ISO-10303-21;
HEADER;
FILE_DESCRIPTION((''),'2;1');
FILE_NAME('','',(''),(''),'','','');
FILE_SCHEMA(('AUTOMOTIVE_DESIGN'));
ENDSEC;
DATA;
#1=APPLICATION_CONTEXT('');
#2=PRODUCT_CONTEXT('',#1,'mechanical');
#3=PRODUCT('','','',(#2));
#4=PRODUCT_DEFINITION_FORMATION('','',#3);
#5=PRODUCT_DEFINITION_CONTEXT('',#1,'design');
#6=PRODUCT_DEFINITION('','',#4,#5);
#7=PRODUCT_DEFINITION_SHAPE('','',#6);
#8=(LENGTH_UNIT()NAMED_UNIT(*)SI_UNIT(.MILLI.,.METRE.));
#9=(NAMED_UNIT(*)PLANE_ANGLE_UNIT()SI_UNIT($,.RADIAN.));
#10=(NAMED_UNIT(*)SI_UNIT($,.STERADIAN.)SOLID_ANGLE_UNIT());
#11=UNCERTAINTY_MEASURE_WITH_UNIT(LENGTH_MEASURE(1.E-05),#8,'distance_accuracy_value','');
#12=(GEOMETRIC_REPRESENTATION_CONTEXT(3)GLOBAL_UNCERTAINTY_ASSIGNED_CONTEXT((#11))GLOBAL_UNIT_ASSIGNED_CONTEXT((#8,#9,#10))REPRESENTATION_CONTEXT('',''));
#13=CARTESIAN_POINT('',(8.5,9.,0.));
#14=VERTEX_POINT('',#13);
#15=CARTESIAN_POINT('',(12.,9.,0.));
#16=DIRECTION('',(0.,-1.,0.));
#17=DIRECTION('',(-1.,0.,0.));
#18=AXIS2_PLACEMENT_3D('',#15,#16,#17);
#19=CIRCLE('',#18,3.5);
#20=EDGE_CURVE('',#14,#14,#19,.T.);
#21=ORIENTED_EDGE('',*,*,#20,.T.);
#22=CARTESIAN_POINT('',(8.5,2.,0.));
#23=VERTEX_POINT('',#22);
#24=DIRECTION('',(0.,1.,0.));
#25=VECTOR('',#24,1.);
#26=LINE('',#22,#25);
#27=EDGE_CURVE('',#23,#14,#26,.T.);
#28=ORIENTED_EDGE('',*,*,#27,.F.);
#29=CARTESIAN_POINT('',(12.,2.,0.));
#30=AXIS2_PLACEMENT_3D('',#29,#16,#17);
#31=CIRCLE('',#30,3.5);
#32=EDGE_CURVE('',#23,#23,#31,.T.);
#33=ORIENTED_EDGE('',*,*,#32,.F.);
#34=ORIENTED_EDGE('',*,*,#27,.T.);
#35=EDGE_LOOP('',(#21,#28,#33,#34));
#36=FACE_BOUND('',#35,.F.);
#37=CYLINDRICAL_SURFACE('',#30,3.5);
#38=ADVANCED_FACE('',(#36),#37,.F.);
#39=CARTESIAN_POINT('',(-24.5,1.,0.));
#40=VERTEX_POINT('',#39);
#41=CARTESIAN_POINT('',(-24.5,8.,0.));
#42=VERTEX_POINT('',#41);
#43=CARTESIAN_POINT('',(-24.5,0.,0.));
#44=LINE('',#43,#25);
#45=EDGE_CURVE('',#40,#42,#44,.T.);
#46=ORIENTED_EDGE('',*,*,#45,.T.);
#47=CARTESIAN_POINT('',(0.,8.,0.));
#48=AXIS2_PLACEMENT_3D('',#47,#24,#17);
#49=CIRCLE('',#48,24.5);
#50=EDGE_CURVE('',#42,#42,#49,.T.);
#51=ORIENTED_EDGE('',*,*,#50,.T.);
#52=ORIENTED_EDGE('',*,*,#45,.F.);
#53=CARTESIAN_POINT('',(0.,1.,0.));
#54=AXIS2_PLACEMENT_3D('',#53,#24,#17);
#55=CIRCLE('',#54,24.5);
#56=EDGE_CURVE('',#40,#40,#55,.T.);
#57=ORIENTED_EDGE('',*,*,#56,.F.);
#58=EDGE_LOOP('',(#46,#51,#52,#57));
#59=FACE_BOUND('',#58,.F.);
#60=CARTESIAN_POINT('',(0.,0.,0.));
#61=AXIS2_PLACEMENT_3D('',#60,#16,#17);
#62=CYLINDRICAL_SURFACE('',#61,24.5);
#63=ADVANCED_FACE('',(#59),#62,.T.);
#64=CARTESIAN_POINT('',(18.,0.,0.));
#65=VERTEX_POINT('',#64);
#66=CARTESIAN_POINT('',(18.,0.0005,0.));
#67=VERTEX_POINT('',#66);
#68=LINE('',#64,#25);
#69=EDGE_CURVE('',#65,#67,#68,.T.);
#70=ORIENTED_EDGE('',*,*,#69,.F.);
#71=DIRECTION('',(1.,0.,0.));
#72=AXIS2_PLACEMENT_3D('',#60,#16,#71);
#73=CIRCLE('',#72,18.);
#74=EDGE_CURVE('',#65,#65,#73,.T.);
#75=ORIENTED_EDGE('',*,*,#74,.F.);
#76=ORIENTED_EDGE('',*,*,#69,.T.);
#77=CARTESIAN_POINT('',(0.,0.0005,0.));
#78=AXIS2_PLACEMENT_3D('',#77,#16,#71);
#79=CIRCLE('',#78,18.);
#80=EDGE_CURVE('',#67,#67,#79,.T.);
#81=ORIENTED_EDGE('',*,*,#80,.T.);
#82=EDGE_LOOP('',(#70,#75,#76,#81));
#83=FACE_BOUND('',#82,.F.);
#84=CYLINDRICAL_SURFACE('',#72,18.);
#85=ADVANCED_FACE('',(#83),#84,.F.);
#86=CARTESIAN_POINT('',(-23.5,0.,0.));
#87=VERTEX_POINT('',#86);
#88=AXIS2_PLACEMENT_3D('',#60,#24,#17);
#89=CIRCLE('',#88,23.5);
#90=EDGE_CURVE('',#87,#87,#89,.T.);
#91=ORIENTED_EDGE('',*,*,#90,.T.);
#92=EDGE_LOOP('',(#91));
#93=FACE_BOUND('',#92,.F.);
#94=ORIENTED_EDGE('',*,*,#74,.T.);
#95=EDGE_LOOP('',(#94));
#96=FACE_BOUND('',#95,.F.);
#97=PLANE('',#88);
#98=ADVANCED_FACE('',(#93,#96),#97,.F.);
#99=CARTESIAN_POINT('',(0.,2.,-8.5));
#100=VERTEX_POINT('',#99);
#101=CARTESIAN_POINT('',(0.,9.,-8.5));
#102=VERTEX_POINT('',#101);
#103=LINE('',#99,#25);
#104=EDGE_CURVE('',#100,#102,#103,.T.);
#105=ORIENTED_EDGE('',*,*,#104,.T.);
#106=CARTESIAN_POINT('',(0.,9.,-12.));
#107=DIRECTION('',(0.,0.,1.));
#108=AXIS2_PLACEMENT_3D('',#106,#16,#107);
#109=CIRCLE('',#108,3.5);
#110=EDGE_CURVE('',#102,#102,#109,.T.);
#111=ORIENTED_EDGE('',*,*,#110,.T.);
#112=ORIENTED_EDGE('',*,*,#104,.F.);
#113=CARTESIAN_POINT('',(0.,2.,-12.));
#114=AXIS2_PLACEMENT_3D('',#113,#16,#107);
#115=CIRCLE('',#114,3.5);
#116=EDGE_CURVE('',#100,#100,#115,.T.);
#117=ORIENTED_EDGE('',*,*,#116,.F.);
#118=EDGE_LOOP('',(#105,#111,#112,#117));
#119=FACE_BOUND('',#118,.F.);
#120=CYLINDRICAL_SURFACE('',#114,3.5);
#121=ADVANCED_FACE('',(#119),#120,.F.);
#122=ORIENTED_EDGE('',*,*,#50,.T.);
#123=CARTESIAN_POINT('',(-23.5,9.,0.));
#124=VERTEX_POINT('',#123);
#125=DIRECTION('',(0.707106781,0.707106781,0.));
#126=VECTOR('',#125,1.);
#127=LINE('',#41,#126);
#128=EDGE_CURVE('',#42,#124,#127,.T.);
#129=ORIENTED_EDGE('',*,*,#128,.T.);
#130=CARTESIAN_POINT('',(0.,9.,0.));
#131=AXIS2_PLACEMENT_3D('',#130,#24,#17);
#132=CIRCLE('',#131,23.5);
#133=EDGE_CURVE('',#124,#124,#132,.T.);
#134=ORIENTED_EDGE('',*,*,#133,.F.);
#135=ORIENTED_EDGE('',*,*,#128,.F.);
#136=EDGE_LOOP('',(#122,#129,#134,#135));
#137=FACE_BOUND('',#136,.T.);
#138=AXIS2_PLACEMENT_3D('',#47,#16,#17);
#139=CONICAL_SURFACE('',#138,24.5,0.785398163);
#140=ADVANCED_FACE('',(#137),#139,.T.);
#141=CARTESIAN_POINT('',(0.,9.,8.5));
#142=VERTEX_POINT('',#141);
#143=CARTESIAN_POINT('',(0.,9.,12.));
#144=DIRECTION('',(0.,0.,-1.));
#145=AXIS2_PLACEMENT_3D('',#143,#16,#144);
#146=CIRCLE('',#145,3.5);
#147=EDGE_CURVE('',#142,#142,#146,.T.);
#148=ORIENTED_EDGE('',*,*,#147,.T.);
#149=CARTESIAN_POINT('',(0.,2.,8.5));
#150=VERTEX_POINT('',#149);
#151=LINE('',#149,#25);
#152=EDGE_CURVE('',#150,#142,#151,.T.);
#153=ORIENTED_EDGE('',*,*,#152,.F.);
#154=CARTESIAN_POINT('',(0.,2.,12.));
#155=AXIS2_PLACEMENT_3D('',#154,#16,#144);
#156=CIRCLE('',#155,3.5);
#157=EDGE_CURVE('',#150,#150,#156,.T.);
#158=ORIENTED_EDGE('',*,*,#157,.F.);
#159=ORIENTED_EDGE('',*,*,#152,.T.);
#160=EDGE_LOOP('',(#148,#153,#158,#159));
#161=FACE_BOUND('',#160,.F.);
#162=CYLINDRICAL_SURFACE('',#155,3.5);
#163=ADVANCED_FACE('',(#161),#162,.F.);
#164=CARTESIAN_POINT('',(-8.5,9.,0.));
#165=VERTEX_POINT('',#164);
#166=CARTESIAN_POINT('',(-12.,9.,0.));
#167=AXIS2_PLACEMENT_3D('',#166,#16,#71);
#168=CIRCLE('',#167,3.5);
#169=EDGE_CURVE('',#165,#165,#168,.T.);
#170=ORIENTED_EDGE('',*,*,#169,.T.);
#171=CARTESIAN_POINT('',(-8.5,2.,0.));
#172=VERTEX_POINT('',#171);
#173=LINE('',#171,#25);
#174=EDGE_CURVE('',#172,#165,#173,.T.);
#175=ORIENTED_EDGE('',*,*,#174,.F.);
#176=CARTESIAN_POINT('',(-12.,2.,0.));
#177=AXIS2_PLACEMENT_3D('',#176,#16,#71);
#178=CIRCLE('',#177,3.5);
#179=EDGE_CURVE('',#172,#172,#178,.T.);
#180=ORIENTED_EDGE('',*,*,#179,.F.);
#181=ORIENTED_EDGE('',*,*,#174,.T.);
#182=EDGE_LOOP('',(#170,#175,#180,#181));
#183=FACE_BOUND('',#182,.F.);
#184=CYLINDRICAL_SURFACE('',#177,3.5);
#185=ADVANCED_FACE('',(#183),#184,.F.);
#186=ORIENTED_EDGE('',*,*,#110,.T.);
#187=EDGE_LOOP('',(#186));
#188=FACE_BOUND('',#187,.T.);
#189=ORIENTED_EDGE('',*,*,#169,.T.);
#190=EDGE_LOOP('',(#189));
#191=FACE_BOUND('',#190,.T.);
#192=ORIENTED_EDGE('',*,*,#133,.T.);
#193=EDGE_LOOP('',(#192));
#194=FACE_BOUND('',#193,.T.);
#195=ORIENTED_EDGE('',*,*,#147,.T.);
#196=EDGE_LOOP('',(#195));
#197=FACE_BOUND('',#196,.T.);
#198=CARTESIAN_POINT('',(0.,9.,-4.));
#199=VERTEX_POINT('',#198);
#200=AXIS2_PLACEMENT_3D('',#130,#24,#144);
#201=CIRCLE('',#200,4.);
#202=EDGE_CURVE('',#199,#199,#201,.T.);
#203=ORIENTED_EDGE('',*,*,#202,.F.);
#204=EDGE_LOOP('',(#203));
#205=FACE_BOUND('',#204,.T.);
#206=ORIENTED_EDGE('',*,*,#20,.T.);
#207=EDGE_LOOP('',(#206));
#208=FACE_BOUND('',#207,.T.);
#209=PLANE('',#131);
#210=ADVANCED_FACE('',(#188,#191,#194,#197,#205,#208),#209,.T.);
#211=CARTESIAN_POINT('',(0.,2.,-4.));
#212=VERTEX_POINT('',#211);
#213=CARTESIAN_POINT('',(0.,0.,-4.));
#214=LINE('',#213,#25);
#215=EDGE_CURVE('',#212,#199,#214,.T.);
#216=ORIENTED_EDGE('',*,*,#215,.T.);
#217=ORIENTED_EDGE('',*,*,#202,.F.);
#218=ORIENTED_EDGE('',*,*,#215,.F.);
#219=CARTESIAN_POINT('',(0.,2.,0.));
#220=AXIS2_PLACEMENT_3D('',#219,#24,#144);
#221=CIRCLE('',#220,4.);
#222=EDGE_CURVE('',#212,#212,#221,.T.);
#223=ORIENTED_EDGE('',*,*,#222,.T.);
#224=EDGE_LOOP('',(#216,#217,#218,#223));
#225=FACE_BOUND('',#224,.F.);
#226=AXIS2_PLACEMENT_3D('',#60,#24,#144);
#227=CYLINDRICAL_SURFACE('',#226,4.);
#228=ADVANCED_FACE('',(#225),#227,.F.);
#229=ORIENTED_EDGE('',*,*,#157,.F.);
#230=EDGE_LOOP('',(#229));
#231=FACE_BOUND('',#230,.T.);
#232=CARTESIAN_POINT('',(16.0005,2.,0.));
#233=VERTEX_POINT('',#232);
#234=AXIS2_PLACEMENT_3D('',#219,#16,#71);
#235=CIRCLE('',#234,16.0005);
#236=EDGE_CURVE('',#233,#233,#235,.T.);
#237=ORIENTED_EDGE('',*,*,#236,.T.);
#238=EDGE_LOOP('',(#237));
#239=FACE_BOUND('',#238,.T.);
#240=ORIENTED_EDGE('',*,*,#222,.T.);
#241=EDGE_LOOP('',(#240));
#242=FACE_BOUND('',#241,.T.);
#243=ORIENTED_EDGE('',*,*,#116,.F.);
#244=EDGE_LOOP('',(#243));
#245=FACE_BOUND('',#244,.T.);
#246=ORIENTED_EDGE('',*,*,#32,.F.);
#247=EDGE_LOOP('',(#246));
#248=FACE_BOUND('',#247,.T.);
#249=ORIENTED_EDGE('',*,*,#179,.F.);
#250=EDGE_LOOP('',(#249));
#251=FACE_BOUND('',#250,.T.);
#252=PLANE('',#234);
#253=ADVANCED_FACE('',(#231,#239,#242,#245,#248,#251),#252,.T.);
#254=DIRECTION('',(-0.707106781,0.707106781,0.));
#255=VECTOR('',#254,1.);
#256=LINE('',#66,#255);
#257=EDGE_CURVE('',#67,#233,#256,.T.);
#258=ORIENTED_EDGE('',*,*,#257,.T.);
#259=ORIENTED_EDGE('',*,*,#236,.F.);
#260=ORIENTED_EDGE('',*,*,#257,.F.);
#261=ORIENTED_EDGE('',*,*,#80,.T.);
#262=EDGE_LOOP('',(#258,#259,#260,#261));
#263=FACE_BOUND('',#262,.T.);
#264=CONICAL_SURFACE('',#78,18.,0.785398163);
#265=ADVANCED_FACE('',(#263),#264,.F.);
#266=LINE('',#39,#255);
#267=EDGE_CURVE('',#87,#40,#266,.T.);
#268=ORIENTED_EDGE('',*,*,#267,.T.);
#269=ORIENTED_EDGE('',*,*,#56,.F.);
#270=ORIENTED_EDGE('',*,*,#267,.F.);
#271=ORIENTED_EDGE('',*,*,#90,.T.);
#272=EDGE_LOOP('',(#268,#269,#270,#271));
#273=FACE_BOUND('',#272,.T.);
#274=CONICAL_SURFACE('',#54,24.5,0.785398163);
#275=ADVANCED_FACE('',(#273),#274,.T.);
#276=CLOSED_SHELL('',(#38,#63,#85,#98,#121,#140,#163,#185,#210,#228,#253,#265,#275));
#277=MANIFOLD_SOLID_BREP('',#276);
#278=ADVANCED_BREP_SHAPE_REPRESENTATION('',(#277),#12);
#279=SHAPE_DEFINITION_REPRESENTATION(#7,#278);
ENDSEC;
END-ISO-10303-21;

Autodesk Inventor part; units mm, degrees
ref_plane "YZ Plane" through (0, 0, 0) normal (1, 0, 0) x (0, 1, 0)
ref_plane "XZ Plane" through (0, 0, 0) normal (0, 1, 0) x (-1, 0, 0)
ref_plane "XY Plane" through (0, 0, 0) normal (0, 0, 1) x (1, 0, 0)
sketch "Sketch1" plane through (0, 0, 0) normal (0, 1, 0) x (-1, 0, 0)
  circle A0 centre (0, 0) radius 24.5
  dimension "d0" = 49
extrude "Extrusion1" add sketch "Sketch1" along normal blind 9
sketch "Sketch2" plane through (0, 0, 0) normal (0, -1, 0) x (1, 0, 0)
  point P0 (0, 0)
sketch "Sketch3" plane through (0, 0, 0) normal (0, -1, 0) x (1, 0, 0)
  circle A0 centre (0, 0) radius 18
  dimension "d3" = 36
extrude "Extrusion2" cut sketch "Sketch3" against normal blind 2
chamfer "Chamfer1" distance 2 angle 45 1 edges at (-18, 2, 0)
hole "Hole1" at (0, 0, 0) direction (0, 1, 0) diameter 8 end through all
sketch "Sketch4" plane through (0, 2, 0) normal (0, -1, 0) x (1, 0, 0)
  circle A0 centre (-12, 0) radius 3.5
  point P0 (0, 0)
  dimension "d17" = 7
  dimension "d18" = 12
extrude "Extrusion3" cut sketch "Sketch4" against normal through all
pattern_circular "Circular Pattern1" count 4 over 360 about axis through (0, -10, 0) along (0, 1, 0) of "Extrusion3"
chamfer "Chamfer2" distance 1 angle 45 2 edges at (24.5, 0, 0) (24.5, 9, 0)
properties part number "Wheel" material "Iron, Gray"
